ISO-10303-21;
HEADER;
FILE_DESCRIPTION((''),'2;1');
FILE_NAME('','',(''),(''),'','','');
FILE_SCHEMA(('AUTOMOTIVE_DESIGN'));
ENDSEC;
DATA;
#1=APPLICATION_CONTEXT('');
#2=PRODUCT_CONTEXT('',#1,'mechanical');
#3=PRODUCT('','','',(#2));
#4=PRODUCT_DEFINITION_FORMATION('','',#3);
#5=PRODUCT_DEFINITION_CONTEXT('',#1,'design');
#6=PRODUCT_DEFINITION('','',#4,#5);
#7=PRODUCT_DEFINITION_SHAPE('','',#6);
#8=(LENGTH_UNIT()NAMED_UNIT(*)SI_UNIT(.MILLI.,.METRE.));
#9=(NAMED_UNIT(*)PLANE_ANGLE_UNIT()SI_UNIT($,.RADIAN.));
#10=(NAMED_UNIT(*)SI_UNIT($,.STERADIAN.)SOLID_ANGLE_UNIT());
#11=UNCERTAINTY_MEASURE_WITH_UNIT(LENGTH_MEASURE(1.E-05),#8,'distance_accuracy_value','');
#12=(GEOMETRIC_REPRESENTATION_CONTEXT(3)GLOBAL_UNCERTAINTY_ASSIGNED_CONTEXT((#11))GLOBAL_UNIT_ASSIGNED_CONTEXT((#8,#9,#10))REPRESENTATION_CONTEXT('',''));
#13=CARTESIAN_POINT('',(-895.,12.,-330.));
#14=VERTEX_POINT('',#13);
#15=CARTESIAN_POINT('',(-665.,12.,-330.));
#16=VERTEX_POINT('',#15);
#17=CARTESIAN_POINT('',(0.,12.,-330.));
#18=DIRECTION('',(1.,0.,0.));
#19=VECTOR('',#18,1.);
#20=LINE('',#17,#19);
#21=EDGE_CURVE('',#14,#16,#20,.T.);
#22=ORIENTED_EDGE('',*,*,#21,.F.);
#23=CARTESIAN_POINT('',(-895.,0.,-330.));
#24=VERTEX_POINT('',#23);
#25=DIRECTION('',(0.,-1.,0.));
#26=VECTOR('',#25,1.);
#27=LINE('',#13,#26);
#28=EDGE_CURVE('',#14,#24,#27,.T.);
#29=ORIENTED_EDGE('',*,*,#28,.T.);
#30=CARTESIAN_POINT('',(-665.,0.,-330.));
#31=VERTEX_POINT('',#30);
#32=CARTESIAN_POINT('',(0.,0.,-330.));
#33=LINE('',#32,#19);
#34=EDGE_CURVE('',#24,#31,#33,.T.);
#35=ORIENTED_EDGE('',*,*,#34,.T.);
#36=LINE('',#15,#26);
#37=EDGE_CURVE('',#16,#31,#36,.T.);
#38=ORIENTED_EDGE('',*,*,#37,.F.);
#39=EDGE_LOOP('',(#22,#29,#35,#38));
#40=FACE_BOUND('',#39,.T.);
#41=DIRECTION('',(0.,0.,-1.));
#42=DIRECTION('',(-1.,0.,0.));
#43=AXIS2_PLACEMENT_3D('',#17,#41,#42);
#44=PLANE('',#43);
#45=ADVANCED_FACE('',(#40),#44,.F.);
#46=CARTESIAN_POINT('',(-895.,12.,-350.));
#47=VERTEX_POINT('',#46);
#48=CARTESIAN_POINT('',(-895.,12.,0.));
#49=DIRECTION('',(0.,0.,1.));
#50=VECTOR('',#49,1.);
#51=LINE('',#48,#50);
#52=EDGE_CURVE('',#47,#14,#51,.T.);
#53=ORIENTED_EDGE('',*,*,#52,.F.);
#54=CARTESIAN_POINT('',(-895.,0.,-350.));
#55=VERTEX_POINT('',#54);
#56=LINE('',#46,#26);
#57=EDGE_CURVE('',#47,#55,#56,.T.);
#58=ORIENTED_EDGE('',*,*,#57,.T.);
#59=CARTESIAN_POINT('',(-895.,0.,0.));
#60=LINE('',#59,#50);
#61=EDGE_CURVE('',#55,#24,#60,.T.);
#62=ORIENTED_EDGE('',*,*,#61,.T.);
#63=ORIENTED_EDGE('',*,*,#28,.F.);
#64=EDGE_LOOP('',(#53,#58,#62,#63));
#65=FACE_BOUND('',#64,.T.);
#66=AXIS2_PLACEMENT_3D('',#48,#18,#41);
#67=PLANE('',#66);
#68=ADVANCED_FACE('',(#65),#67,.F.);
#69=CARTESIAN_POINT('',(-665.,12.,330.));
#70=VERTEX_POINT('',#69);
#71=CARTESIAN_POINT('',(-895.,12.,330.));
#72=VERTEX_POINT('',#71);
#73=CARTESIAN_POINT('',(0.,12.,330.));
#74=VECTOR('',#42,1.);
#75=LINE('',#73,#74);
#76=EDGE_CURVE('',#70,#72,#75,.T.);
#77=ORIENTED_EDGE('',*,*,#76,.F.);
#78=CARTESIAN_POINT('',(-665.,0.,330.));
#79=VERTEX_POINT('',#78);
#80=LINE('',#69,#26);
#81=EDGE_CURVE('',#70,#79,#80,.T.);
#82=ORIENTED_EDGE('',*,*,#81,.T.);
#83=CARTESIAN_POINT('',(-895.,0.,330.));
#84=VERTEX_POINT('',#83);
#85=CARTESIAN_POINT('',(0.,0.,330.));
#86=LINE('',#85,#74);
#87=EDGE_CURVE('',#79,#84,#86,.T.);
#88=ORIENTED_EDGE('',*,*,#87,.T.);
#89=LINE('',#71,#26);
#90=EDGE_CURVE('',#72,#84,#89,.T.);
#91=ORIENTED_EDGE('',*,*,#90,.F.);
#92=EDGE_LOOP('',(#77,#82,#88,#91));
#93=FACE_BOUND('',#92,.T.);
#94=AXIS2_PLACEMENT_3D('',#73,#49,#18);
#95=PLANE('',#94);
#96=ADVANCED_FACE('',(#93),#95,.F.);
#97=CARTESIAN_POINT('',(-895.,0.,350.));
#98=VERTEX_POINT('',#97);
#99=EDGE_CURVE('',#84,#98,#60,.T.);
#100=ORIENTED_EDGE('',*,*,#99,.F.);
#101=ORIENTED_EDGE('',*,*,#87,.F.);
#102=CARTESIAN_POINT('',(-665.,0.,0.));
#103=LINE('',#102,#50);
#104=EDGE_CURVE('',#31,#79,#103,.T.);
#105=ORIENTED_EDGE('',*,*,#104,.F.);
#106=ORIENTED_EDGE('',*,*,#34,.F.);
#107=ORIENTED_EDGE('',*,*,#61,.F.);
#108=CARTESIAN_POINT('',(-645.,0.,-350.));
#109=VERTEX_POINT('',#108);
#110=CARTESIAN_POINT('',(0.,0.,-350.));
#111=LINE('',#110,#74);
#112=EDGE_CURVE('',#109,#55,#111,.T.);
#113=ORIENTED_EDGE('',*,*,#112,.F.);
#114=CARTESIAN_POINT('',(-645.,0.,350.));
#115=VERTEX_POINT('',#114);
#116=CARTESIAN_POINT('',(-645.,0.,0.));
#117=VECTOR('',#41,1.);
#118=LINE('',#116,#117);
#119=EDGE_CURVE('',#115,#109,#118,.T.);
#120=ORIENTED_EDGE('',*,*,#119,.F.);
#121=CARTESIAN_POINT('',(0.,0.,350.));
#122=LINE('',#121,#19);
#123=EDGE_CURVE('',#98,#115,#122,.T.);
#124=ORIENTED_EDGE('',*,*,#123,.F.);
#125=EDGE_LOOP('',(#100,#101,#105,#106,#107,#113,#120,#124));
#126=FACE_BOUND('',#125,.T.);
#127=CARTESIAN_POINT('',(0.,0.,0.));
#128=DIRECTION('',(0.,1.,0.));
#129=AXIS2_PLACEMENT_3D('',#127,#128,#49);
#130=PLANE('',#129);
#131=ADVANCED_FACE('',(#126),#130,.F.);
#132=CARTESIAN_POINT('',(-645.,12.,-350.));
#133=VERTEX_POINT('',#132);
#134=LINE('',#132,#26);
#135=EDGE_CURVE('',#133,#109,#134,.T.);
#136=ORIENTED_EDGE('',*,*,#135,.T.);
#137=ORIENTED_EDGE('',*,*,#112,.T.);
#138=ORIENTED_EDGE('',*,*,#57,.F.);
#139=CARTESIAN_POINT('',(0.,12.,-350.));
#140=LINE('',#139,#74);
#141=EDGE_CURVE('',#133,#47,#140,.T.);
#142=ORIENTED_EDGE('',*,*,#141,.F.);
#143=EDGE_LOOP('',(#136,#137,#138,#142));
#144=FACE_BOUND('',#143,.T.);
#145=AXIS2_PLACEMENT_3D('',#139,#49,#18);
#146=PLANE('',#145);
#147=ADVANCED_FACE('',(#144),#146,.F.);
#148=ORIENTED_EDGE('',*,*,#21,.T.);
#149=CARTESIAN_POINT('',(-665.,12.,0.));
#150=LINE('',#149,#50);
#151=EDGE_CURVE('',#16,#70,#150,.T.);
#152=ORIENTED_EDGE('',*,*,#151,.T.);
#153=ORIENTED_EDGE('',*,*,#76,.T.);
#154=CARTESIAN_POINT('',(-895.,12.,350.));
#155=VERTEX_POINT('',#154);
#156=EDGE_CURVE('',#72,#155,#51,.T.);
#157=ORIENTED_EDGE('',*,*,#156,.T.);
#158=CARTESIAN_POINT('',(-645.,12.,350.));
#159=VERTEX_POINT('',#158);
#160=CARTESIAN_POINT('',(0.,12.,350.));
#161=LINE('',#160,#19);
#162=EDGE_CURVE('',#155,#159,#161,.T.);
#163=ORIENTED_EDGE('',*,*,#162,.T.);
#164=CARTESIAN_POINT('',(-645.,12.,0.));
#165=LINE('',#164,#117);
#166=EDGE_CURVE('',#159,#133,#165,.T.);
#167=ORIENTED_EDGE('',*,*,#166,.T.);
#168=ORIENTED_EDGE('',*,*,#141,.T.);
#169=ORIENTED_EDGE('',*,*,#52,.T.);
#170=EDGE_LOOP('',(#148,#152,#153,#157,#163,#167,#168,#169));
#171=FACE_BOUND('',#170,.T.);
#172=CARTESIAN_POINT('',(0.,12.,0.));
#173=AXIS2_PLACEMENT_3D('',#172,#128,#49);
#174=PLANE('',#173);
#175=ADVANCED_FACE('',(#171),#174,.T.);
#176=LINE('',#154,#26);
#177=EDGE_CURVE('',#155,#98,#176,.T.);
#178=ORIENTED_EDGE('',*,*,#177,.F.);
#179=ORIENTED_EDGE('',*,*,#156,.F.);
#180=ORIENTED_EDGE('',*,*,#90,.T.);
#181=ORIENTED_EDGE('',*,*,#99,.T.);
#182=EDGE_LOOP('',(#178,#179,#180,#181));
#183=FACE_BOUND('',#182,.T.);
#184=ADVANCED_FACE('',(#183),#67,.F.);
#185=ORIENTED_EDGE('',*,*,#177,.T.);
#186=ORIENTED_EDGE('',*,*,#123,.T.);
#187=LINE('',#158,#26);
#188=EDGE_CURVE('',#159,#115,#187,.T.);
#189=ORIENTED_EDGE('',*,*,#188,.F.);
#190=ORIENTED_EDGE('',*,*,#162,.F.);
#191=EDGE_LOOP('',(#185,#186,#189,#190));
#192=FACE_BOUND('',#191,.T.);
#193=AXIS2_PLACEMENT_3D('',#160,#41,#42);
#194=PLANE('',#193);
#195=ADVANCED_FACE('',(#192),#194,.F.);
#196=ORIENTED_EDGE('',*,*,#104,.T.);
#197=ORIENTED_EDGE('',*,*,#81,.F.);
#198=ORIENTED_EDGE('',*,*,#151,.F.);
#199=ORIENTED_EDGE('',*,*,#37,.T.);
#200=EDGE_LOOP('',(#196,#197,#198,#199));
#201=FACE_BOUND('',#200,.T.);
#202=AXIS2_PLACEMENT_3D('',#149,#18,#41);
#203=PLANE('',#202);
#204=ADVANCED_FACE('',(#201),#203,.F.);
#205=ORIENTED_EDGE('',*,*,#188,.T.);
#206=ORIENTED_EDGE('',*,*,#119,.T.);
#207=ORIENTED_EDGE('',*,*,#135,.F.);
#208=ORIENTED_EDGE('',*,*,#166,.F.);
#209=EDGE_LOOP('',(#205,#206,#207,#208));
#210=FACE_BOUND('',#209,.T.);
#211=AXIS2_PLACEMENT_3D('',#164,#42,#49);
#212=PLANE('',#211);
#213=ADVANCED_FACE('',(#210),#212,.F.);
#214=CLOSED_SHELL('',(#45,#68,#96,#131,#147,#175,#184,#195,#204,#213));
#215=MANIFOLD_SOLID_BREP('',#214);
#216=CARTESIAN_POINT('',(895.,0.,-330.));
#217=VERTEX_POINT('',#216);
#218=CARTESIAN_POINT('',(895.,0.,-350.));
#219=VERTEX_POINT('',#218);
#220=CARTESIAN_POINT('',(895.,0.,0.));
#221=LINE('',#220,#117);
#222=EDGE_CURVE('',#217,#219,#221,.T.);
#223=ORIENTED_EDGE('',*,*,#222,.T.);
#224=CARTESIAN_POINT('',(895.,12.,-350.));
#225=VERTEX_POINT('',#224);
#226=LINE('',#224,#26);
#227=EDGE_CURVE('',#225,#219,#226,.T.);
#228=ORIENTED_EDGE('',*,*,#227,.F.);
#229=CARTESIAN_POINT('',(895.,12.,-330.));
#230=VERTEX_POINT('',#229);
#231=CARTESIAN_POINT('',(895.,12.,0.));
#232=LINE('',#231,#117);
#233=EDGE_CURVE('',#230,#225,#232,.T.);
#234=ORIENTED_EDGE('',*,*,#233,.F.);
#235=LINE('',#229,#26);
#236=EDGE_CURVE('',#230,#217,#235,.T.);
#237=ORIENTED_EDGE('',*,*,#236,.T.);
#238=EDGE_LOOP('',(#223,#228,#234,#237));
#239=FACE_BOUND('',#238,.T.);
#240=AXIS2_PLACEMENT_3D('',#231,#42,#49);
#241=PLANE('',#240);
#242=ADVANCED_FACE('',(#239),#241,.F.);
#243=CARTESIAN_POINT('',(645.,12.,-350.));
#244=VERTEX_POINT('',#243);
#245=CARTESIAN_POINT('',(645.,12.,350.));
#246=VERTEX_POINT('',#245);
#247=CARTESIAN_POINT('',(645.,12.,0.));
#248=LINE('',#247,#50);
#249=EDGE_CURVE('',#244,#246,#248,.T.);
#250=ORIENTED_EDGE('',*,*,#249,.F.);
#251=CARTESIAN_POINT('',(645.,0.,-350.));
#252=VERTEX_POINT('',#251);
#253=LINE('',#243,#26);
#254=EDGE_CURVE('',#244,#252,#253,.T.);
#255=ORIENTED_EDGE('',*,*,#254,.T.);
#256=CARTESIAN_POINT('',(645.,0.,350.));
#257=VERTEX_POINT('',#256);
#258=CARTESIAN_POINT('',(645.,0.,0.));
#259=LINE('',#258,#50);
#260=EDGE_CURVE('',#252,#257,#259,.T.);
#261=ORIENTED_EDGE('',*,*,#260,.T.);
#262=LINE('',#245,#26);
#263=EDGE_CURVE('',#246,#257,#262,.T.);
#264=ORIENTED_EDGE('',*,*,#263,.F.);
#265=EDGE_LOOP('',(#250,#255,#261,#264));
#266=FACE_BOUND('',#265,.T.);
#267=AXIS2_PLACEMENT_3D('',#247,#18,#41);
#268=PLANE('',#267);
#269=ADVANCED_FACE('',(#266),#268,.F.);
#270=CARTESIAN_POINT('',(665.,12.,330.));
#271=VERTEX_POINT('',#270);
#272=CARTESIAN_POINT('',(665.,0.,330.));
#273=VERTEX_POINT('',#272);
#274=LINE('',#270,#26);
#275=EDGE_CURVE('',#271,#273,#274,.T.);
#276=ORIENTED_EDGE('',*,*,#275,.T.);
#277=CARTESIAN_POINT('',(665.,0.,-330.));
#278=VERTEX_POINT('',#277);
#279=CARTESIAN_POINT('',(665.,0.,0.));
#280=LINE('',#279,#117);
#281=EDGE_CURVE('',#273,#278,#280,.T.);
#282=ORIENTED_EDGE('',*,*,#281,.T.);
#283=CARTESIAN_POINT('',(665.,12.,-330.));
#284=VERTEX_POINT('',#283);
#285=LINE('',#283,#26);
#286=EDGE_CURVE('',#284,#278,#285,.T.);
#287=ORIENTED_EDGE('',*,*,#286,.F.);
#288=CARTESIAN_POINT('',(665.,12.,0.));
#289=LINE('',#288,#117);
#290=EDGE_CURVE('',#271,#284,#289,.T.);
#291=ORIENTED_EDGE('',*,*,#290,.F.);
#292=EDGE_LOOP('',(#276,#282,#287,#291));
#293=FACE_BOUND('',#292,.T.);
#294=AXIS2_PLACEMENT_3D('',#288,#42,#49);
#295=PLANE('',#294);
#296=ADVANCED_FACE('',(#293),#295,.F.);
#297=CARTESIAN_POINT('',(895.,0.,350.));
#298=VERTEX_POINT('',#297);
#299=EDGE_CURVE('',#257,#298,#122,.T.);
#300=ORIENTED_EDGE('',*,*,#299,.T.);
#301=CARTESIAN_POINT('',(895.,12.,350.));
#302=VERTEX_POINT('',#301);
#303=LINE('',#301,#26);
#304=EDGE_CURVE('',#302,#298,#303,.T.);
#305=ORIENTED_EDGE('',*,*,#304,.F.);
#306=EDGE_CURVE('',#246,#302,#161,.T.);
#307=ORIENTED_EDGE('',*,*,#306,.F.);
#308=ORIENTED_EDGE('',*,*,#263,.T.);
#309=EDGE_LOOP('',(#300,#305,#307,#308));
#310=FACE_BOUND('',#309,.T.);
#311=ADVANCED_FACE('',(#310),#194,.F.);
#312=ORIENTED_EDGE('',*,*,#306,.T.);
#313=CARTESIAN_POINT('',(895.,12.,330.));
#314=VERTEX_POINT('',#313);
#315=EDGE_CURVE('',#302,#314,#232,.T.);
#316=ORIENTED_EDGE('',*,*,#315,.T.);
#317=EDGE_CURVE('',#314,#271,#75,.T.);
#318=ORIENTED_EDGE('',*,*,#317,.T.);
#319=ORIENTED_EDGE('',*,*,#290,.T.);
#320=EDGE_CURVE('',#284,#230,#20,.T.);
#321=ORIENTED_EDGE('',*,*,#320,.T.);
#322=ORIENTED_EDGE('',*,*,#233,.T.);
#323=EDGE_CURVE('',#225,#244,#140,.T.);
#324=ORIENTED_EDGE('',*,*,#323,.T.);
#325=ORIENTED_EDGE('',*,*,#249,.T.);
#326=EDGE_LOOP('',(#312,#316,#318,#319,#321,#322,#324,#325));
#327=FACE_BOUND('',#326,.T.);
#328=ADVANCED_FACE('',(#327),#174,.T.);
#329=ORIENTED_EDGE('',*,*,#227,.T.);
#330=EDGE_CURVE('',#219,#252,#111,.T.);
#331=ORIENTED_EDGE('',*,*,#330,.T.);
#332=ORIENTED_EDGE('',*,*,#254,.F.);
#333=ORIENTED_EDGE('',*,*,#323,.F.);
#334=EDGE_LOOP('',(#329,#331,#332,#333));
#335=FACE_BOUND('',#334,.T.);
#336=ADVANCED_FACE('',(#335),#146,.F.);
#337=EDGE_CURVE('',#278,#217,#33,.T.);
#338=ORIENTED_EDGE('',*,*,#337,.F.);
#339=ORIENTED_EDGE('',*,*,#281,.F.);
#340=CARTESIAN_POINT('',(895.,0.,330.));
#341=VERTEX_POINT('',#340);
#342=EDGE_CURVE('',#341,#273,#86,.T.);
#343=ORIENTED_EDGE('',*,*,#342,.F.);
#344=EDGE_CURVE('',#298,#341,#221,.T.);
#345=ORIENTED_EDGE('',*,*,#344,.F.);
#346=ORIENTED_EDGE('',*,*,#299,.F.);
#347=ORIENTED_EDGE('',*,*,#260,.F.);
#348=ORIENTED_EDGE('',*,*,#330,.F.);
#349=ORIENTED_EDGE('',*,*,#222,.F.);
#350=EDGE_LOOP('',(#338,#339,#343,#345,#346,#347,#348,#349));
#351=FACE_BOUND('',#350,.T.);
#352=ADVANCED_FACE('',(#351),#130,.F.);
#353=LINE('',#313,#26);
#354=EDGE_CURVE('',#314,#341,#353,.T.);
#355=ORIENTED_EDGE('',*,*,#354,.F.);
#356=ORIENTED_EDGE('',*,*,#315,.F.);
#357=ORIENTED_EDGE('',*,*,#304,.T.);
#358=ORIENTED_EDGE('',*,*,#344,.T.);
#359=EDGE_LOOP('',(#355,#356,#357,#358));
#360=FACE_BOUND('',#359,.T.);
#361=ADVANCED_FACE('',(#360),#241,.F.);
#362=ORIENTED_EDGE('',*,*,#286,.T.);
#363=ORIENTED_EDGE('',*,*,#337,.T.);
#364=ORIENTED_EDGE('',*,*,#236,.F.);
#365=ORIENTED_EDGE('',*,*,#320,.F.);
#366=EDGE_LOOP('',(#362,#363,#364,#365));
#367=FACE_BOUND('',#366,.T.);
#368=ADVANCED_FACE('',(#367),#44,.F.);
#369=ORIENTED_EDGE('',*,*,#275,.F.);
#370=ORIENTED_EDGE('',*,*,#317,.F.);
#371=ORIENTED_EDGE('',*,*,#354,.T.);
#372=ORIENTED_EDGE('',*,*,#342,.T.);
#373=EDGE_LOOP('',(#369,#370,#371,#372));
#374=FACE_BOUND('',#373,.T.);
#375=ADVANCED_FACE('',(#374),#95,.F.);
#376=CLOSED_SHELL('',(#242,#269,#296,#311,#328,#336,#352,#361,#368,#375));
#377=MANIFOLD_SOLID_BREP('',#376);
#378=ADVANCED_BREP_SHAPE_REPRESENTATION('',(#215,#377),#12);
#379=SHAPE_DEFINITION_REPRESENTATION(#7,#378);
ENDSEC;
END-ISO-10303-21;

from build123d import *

# Parameters (mm, degrees)
EXTRUDE_1_DEPTH   = 12
EXTRUDE_1_2_DEPTH = 12


with BuildPart() as part:
    # Эскиз1 → Выдавливание1 (new body)
    with BuildSketch(Plane(origin=(0, 0, 0), x_dir=(-1, 0, 0), z_dir=(0, 1, 0))):
        Polygon((-895, -330), (-895, -350), (-645, -350), (-645, 350), (-895, 350), (-895, 330), (-665, 330), (-665, -330), align=None)
    extrude(amount=EXTRUDE_1_DEPTH)


with BuildPart() as body_2:
    # Эскиз1 → Extrude 1 2 (new body)
    with BuildSketch(Plane(origin=(0, 0, 0), x_dir=(-1, 0, 0), z_dir=(0, 1, 0))):
        Polygon((645, 350), (645, -350), (895, -350), (895, -330), (665, -330), (665, 330), (895, 330), (895, 350), align=None)
    extrude(amount=EXTRUDE_1_2_DEPTH)


solid = Compound([part.part, body_2.part])
